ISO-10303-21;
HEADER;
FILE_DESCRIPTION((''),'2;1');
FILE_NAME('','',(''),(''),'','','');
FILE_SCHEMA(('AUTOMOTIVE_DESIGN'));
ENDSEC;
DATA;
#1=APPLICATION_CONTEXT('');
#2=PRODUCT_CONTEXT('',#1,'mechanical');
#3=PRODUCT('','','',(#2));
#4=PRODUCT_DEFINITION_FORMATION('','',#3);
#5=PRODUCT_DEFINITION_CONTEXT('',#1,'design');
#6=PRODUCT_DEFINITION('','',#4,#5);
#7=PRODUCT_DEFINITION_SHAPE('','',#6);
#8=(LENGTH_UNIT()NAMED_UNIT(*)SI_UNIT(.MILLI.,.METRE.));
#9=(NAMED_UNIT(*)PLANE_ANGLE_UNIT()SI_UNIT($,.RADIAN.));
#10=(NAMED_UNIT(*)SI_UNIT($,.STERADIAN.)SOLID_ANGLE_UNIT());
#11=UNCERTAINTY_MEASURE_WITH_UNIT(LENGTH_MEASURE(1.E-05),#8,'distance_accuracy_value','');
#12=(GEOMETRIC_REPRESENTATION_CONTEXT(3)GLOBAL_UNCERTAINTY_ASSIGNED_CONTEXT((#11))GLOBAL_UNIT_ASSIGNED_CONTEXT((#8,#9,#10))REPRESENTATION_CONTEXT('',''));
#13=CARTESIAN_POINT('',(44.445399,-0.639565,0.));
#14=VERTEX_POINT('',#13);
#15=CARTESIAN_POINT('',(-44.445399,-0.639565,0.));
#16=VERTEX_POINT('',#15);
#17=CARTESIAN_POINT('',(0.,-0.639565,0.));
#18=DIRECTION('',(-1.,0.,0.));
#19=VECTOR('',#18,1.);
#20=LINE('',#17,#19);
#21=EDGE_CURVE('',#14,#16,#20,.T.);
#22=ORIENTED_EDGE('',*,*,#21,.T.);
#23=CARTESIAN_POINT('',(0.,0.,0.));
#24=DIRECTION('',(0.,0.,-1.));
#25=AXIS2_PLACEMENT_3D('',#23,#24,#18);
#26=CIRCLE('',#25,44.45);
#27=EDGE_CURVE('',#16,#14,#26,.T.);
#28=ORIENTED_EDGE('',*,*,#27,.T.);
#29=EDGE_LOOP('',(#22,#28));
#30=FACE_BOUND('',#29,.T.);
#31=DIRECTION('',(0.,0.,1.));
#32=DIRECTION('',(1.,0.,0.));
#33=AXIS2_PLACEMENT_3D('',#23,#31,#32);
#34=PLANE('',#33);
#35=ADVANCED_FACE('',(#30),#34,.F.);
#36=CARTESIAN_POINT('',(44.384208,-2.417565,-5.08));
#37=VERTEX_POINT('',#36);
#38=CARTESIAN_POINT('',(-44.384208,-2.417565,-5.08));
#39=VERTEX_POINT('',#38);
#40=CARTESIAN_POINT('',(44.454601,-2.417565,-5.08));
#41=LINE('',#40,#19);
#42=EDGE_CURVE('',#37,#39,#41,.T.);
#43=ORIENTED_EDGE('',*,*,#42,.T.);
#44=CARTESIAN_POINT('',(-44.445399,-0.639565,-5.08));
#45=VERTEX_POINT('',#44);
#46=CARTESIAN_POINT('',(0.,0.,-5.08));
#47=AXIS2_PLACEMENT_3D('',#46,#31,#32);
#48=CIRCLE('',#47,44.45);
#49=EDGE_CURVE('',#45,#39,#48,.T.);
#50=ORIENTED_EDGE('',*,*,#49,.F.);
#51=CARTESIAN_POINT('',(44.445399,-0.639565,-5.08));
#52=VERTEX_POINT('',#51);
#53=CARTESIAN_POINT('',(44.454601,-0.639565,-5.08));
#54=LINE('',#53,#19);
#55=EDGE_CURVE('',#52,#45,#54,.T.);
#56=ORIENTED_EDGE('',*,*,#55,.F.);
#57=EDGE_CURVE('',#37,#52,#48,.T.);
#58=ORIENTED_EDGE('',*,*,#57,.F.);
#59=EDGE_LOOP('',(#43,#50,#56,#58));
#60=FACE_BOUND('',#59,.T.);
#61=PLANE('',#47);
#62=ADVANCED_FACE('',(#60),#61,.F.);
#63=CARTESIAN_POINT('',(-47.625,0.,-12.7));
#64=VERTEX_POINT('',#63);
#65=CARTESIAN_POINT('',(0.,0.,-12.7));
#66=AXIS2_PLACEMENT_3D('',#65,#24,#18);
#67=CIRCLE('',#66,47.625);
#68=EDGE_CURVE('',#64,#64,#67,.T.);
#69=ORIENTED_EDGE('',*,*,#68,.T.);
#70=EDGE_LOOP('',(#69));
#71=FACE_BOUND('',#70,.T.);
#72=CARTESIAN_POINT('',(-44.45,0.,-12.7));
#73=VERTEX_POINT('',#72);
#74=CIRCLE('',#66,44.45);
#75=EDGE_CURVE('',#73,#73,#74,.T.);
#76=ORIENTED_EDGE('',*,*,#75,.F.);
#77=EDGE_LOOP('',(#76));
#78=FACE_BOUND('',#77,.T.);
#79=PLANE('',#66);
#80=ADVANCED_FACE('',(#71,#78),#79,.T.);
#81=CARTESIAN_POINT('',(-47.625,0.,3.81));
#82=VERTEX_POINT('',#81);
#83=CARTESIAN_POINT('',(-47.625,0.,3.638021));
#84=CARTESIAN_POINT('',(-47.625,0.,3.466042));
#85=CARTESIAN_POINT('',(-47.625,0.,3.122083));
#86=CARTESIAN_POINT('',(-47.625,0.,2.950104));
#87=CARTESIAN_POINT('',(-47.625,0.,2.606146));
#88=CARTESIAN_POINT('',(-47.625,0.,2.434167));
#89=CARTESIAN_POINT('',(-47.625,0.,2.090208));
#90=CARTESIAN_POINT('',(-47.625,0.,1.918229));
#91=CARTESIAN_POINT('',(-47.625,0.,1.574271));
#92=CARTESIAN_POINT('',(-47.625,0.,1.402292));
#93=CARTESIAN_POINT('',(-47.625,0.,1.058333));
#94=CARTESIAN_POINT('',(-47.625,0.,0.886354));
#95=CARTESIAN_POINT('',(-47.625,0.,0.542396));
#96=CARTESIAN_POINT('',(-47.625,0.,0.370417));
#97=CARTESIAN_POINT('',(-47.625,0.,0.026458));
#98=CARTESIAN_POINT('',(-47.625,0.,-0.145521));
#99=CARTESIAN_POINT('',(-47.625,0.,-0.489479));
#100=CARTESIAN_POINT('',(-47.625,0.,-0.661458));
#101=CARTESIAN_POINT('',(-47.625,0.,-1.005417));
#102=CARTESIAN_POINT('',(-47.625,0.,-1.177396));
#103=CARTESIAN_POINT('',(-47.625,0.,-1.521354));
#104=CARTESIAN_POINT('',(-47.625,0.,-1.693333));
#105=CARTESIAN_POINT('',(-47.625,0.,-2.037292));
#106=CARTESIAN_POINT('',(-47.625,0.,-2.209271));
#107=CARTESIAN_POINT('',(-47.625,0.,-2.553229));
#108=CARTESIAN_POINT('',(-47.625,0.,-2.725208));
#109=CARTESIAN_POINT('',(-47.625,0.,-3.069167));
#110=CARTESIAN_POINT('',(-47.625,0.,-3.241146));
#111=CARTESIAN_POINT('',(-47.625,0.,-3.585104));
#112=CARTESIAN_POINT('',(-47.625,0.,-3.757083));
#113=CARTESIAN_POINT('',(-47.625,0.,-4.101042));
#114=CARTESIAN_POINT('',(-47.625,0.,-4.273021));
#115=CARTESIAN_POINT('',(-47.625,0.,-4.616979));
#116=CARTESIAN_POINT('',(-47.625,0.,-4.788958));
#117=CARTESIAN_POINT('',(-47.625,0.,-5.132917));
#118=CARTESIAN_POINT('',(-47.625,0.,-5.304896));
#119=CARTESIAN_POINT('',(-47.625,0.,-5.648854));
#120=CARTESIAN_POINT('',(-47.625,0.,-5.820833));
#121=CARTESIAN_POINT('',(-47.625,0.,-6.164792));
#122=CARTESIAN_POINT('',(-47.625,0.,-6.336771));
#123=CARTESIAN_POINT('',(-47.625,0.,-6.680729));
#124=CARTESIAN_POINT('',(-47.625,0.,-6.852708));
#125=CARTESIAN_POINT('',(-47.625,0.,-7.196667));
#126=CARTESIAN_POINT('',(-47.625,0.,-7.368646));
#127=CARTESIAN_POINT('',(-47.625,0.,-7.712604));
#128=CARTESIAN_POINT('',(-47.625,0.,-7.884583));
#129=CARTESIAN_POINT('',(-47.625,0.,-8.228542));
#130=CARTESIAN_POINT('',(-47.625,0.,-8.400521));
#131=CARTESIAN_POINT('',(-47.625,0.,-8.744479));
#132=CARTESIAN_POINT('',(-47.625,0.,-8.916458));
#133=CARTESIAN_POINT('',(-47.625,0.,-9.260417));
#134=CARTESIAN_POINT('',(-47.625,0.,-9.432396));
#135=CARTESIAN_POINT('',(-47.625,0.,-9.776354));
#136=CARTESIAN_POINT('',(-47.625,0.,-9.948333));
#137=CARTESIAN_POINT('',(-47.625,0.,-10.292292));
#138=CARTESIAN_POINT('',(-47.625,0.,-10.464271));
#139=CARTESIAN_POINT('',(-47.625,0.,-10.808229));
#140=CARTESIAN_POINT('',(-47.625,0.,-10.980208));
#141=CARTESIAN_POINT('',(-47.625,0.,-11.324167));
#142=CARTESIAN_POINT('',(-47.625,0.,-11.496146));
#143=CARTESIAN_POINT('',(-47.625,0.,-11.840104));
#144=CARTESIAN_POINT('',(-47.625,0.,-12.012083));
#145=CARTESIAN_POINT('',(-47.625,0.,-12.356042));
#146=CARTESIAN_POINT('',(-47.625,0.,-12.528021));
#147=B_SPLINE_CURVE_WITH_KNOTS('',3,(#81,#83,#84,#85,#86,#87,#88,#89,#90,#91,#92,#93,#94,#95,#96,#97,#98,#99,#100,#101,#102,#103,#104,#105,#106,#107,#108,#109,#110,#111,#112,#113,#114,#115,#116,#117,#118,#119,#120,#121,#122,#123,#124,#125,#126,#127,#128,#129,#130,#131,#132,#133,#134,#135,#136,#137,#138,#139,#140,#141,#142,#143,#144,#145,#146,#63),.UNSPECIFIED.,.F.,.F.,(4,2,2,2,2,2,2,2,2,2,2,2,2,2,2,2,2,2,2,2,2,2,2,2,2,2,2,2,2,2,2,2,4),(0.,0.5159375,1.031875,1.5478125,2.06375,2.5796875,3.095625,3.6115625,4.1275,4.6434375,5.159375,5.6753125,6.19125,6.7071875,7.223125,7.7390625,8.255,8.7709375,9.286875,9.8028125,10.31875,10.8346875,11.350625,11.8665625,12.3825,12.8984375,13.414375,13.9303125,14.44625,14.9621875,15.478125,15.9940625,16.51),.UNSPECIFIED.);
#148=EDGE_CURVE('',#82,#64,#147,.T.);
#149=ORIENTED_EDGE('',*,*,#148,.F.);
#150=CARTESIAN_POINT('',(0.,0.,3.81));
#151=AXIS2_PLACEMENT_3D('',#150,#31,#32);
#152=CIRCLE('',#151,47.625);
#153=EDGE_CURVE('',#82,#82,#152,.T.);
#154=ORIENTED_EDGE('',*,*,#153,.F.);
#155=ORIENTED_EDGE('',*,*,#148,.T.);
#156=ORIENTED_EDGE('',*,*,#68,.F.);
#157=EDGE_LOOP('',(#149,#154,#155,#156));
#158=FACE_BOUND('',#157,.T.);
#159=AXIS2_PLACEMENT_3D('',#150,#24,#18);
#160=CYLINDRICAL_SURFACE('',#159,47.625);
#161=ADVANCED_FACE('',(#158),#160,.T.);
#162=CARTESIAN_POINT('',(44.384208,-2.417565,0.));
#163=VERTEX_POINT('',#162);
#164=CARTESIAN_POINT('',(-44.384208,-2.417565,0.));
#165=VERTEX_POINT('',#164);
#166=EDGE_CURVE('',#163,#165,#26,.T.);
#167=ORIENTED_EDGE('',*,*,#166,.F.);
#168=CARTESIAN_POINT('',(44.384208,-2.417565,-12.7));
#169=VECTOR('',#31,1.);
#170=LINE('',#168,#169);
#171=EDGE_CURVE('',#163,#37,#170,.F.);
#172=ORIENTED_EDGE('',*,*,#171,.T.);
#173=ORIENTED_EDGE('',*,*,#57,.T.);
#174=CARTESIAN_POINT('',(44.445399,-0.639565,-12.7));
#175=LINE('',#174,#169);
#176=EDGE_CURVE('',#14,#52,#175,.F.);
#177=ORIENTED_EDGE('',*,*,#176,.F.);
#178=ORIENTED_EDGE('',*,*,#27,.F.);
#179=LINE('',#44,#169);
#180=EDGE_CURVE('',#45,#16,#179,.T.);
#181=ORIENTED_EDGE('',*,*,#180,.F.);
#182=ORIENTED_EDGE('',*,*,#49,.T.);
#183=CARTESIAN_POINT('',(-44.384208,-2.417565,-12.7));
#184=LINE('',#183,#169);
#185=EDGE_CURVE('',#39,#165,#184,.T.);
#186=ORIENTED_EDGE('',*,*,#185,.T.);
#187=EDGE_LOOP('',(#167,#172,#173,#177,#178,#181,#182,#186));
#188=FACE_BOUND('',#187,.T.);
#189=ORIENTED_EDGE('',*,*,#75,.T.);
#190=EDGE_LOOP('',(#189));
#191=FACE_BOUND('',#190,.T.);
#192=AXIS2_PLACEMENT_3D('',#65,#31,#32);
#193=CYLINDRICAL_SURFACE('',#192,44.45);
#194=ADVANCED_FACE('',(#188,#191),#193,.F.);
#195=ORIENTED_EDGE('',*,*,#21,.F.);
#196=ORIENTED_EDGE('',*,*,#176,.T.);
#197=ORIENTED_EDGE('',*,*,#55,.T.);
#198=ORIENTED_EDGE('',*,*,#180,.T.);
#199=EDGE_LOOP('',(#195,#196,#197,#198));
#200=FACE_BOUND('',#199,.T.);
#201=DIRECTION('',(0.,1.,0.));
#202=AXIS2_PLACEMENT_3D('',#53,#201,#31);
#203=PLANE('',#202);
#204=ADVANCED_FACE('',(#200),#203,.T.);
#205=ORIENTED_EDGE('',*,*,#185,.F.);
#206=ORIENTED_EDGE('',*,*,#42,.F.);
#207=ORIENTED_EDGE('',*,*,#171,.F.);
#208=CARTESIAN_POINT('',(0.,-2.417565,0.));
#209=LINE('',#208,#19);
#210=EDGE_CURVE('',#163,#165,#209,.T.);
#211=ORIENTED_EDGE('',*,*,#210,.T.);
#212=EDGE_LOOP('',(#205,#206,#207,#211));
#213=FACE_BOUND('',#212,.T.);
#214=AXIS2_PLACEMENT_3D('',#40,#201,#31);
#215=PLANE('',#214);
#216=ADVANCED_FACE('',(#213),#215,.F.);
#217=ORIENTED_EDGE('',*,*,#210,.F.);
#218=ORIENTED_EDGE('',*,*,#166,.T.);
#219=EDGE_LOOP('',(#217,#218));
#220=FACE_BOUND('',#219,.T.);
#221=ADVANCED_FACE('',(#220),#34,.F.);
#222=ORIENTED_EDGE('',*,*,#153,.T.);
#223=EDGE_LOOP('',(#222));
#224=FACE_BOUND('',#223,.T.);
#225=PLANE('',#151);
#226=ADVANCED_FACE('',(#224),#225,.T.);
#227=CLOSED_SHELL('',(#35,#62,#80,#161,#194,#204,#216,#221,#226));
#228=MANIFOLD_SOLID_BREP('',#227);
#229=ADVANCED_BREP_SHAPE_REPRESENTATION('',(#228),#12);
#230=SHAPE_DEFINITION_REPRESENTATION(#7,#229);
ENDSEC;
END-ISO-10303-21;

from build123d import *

# Parameters (mm, degrees)
SKETCH1_R            = 47.625
BOSS_EXTRUDE1_DEPTH  = 3.81
BOSS_EXTRUDE2_START  = 12.7
SKETCH4_R            = 47.625
SKETCH4_R_2          = 44.45
BOSS_EXTRUDE2_DEPTH  = 12.7
SKETCH7_W            = 88.9
SKETCH7_H            = 1.778
BOSS_EXTRUDE14_DEPTH = 5.08


with BuildPart() as part:
    # Sketch1 → Boss-Extrude1 (new body)
    with BuildSketch(Plane.XY):
        with Locations(Location((0, 0, 0), (0, 0, 180))):
            Circle(SKETCH1_R)
    extrude(amount=BOSS_EXTRUDE1_DEPTH)

    # Sketch4 → Boss-Extrude2 (add)
    with BuildSketch(Plane(origin=(0, 0, 0), x_dir=(-1, 0, 0), z_dir=(0, 0, -1)).offset(BOSS_EXTRUDE2_START)):
        Circle(SKETCH4_R)
        with Locations(Location((0, 0, 0), (0, 0, 180))):
            Circle(SKETCH4_R_2, mode=Mode.SUBTRACT)
    extrude(amount=-BOSS_EXTRUDE2_DEPTH)

    # Sketch7 → Boss-Extrude14 (add)
    with BuildSketch(Plane(origin=(0, 0, 0), x_dir=(-1, 0, 0), z_dir=(0, 0, -1))):
        with Locations((-0.004601407, -1.528565374)):
            Rectangle(SKETCH7_W, SKETCH7_H)
    extrude(amount=BOSS_EXTRUDE14_DEPTH)


solid = part.part
